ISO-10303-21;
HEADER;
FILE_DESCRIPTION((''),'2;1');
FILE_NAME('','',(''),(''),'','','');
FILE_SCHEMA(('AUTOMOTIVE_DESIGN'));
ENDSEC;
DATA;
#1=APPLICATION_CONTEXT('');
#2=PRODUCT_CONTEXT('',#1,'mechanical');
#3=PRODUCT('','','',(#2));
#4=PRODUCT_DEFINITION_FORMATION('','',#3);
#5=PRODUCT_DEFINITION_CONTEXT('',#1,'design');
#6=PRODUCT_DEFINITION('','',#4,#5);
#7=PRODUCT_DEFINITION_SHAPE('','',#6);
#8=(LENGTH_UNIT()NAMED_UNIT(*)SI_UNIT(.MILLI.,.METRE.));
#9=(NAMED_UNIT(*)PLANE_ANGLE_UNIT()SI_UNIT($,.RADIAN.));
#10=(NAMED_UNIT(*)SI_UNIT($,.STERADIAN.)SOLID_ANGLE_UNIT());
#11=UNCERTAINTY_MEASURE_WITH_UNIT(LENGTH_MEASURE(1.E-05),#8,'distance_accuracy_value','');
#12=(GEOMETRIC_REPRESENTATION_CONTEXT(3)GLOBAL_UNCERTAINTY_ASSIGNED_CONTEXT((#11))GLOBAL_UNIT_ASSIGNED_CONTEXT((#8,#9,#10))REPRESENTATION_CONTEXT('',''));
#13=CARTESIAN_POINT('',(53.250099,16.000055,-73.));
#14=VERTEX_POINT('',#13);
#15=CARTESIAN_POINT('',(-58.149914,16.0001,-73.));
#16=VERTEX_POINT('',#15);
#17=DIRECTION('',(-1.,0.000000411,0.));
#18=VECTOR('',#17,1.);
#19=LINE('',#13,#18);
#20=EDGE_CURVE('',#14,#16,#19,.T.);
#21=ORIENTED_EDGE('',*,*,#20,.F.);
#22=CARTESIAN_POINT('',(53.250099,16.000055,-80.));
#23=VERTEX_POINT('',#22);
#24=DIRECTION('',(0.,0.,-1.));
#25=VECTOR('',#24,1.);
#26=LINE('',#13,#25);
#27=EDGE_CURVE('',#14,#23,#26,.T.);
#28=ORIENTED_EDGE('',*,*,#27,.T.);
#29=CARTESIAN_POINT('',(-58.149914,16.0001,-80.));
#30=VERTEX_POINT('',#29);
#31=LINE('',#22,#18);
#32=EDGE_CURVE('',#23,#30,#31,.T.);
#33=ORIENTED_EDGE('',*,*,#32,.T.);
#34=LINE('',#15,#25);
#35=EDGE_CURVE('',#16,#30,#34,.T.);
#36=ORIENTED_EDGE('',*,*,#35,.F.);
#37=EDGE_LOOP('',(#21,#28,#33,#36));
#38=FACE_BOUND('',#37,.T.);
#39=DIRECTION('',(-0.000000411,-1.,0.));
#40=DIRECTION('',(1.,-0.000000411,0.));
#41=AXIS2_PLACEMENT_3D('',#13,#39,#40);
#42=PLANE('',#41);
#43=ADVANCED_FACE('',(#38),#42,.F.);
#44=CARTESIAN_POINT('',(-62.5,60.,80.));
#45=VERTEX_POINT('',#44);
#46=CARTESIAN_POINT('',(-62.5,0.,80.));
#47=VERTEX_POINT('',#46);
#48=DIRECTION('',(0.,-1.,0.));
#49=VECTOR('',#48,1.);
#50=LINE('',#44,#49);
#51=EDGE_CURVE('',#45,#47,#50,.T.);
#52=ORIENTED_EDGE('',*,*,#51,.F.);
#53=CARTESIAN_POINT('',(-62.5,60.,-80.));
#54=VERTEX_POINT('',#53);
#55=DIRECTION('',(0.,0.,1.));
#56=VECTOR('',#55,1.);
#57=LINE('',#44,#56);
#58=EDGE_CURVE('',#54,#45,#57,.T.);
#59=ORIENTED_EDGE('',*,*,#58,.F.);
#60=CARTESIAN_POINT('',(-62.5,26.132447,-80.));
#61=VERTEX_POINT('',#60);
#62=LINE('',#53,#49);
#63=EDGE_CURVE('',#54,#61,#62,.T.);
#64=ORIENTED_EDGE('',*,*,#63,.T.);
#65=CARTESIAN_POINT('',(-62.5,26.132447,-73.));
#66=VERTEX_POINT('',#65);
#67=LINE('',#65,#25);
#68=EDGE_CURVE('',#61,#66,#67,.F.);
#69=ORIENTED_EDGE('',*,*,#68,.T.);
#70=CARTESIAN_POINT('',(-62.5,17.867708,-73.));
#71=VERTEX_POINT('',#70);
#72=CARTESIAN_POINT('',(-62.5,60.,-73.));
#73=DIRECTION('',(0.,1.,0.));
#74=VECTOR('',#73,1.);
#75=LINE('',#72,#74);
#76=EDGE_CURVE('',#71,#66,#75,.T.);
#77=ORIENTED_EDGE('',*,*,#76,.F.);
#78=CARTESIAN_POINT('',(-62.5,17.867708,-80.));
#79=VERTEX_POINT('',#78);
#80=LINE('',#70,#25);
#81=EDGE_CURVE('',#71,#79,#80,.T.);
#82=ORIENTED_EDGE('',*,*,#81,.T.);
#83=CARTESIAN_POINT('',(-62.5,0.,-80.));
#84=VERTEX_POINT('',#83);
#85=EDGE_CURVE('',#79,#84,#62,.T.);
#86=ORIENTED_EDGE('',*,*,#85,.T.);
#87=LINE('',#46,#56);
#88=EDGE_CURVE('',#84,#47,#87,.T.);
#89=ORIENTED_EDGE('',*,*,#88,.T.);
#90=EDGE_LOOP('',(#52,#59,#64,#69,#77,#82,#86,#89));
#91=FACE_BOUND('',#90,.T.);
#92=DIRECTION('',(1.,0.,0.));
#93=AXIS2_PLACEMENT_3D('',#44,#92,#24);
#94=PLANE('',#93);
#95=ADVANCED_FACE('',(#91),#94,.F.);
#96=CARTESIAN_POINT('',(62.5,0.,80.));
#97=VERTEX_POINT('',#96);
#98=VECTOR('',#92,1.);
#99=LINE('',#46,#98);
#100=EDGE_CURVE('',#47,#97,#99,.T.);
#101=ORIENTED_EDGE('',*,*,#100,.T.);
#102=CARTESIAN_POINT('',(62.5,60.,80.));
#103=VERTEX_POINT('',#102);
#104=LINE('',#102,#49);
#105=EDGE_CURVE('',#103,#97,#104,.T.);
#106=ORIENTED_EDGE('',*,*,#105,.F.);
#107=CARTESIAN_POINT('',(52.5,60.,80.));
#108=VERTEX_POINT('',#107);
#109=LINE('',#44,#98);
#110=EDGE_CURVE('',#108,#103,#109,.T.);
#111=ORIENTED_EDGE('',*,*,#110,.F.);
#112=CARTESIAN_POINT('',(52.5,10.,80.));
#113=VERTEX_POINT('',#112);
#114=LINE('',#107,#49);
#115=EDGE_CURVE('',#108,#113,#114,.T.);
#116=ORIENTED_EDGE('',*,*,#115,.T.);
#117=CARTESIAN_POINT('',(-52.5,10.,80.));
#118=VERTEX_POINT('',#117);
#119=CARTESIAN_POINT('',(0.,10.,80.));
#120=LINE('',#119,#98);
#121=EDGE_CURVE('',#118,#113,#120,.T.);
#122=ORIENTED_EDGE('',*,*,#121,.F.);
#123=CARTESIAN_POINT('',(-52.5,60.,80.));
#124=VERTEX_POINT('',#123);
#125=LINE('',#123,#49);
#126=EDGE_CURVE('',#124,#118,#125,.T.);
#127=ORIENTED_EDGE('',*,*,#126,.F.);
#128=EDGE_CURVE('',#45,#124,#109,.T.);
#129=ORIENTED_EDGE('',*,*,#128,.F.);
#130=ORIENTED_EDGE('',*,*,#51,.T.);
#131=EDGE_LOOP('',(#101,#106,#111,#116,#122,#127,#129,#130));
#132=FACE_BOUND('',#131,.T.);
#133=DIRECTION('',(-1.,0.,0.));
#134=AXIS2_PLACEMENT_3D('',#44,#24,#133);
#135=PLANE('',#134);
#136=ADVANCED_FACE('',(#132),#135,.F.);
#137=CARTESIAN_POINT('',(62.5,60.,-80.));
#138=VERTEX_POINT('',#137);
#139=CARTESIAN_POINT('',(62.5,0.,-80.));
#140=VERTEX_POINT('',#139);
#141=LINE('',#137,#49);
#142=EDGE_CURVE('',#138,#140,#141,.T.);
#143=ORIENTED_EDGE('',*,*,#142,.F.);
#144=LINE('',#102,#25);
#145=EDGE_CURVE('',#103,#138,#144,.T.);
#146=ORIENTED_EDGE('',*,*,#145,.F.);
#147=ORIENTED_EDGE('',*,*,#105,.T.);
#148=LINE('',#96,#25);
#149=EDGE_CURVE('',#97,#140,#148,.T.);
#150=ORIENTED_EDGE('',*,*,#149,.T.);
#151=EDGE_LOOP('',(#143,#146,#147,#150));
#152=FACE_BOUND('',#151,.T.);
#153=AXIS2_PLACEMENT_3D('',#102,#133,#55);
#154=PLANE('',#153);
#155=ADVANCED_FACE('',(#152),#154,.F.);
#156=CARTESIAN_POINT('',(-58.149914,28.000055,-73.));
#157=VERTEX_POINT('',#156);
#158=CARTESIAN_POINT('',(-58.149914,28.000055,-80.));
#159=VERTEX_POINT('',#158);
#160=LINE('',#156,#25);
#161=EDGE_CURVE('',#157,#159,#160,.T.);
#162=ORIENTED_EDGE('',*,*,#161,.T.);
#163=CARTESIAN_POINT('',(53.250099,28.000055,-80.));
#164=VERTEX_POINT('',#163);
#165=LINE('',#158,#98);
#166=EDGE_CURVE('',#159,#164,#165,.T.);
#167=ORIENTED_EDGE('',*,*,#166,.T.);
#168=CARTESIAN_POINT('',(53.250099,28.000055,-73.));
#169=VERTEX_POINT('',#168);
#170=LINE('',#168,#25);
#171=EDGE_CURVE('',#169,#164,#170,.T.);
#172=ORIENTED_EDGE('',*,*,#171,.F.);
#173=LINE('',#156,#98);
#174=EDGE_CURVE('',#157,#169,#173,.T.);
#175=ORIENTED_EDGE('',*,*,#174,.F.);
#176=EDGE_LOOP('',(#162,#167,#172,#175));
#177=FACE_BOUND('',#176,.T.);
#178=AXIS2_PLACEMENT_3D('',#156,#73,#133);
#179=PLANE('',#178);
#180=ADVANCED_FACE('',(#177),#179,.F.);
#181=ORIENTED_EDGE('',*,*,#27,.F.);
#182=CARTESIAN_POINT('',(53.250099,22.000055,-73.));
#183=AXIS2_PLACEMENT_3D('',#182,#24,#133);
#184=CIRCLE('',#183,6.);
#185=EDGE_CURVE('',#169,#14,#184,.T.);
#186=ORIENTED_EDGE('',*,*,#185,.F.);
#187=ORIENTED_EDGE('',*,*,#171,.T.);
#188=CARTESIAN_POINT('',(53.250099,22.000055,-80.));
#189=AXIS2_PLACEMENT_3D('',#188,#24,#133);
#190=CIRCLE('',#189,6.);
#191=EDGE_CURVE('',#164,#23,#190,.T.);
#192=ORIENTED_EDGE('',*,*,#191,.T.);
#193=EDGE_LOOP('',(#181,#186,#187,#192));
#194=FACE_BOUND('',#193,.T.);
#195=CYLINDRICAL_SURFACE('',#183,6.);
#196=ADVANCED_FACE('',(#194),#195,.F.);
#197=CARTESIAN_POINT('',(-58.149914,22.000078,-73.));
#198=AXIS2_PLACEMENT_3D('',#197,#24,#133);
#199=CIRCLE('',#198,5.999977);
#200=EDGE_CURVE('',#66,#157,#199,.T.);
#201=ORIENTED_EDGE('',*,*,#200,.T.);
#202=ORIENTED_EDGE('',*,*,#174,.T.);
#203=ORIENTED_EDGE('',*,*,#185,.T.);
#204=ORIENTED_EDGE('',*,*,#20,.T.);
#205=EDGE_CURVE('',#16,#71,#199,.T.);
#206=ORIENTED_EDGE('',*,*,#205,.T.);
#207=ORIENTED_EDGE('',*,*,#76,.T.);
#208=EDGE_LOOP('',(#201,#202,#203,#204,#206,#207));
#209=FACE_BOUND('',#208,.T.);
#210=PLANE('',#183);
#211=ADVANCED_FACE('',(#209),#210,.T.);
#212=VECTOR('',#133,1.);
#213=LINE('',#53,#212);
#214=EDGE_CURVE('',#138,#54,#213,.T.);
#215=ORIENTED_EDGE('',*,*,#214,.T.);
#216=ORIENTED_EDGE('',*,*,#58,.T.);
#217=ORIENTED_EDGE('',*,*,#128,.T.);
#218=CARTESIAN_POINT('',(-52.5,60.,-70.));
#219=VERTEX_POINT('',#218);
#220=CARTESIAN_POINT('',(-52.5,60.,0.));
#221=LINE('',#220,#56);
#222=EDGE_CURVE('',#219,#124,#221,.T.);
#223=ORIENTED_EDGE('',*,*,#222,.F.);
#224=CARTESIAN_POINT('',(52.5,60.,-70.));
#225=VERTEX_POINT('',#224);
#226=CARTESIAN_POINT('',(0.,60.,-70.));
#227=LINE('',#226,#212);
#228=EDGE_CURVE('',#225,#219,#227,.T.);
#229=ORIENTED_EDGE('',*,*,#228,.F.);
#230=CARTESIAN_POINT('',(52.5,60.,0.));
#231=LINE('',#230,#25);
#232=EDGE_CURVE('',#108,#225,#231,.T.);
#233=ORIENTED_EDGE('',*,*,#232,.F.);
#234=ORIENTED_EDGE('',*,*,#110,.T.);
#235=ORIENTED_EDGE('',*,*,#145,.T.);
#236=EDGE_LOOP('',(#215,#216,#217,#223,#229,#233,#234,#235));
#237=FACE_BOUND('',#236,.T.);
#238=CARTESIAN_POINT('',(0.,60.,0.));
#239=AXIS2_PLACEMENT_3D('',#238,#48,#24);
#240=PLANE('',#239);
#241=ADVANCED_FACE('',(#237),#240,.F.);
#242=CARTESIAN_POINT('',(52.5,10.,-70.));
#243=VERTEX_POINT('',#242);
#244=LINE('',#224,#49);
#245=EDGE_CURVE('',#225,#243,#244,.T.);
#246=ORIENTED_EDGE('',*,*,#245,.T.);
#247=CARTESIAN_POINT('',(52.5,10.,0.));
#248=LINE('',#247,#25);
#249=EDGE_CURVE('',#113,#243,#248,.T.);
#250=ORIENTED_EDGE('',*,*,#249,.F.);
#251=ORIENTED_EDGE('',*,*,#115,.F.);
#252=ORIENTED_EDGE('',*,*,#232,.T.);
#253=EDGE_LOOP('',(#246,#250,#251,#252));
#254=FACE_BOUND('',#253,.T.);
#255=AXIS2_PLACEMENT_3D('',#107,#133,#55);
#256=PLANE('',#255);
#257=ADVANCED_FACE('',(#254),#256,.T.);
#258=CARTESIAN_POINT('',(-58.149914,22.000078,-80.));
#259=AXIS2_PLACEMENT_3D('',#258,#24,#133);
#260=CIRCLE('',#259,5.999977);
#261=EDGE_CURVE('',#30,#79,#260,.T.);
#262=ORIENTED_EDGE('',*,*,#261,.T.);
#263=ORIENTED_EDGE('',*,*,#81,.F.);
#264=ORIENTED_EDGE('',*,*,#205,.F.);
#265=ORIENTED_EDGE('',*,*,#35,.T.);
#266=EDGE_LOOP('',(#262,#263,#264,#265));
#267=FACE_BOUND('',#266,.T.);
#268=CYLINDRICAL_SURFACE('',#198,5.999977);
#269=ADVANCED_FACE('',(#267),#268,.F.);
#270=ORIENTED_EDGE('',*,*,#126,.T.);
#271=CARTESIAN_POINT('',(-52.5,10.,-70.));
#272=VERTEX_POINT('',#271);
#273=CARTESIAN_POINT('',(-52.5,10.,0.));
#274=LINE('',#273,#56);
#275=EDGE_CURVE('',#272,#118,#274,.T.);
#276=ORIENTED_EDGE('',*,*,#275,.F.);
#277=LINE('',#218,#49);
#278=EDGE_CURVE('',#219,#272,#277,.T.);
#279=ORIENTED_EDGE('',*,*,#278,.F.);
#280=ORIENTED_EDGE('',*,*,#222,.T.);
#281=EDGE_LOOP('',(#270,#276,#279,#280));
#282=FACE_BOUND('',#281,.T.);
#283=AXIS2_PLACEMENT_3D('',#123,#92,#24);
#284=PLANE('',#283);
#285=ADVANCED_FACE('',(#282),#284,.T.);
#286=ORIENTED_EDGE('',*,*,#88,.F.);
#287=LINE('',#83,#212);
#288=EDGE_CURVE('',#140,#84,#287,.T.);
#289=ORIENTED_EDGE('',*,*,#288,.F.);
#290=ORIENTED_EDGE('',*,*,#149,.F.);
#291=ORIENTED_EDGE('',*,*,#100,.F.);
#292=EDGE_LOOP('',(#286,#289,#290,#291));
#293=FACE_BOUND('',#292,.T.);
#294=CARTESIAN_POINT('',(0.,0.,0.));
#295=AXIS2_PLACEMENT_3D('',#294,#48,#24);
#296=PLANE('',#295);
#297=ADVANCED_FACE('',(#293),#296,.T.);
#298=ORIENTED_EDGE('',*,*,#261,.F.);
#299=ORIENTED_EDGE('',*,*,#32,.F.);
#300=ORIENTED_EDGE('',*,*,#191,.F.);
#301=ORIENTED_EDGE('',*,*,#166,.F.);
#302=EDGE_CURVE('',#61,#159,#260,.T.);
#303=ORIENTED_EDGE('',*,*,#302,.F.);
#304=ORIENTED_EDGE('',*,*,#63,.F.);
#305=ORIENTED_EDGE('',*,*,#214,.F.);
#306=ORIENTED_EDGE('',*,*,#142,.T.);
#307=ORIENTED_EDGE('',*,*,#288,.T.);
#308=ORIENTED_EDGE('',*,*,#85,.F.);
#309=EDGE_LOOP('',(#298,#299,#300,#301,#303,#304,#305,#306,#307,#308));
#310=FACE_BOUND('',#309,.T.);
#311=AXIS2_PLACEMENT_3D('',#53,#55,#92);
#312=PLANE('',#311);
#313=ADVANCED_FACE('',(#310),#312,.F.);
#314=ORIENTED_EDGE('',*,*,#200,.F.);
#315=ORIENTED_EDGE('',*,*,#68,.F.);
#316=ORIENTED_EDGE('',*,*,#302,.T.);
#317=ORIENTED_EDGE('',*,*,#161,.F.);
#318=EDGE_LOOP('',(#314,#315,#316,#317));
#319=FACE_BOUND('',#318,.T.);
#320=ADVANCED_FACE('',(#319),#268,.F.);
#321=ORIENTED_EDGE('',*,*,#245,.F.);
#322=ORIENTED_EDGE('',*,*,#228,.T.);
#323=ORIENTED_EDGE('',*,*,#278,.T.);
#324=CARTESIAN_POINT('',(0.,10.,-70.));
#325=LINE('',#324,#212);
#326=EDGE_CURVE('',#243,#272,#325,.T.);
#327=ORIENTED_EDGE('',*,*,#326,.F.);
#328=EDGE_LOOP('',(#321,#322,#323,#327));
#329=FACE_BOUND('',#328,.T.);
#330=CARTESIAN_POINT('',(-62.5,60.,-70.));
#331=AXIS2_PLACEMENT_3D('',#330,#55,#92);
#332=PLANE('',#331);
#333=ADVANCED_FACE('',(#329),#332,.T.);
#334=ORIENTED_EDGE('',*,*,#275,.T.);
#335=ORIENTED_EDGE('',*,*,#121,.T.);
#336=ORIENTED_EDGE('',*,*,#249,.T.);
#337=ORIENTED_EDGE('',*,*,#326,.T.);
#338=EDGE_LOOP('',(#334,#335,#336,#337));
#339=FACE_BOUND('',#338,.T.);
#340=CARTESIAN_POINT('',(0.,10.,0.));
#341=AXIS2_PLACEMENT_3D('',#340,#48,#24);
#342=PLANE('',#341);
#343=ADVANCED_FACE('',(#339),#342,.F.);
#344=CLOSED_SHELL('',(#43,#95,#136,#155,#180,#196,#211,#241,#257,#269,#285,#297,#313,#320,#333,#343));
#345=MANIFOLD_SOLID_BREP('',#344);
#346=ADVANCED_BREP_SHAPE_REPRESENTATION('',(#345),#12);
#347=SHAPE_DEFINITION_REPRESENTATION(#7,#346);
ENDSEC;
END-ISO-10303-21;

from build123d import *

# Parameters (mm, degrees)
SKETCH1_W           = 125
SKETCH1_H           = 160
BOSS_EXTRUDE1_DEPTH = 60
SHELL1_T            = -10
CUT_EXTRUDE1_DEPTH  = 7


with BuildPart() as part:
    # Sketch1 → Boss-Extrude1 (new body)
    with BuildSketch(Plane(origin=(0, 0, 0), x_dir=(1, 0, 0), z_dir=(0, 1, 0))):
        Rectangle(SKETCH1_W, SKETCH1_H)
    extrude(amount=BOSS_EXTRUDE1_DEPTH)

    # Shell1
    shell1_openings = [part.faces().sort_by_distance(p)[0] for p in [
        (0, 60, 0),
        (0, 30, 80),
    ]]
    offset(amount=SHELL1_T, openings=shell1_openings, kind=Kind.INTERSECTION)

    # Sketch2 → Cut-Extrude1 (cut)
    with BuildSketch(Plane(origin=(0, 0, -80), x_dir=(-1, 0, 0), z_dir=(0, 0, -1))):
        with BuildLine():
            Line((58.149914344, 28.0000547), (-53.250098626, 28.0000547))
            ThreePointArc((-53.250098626, 28.0000547), (-59.250098626, 22.0000547), (-53.250098626, 16.0000547))
            Line((-53.250098626, 16.0000547), (58.149914344, 16.000100476))
            ThreePointArc((58.149914344, 16.000100476), (64.149891456, 22.000077588), (58.149914344, 28.0000547))
        make_face()
    extrude(amount=-CUT_EXTRUDE1_DEPTH, mode=Mode.SUBTRACT)


solid = part.part
